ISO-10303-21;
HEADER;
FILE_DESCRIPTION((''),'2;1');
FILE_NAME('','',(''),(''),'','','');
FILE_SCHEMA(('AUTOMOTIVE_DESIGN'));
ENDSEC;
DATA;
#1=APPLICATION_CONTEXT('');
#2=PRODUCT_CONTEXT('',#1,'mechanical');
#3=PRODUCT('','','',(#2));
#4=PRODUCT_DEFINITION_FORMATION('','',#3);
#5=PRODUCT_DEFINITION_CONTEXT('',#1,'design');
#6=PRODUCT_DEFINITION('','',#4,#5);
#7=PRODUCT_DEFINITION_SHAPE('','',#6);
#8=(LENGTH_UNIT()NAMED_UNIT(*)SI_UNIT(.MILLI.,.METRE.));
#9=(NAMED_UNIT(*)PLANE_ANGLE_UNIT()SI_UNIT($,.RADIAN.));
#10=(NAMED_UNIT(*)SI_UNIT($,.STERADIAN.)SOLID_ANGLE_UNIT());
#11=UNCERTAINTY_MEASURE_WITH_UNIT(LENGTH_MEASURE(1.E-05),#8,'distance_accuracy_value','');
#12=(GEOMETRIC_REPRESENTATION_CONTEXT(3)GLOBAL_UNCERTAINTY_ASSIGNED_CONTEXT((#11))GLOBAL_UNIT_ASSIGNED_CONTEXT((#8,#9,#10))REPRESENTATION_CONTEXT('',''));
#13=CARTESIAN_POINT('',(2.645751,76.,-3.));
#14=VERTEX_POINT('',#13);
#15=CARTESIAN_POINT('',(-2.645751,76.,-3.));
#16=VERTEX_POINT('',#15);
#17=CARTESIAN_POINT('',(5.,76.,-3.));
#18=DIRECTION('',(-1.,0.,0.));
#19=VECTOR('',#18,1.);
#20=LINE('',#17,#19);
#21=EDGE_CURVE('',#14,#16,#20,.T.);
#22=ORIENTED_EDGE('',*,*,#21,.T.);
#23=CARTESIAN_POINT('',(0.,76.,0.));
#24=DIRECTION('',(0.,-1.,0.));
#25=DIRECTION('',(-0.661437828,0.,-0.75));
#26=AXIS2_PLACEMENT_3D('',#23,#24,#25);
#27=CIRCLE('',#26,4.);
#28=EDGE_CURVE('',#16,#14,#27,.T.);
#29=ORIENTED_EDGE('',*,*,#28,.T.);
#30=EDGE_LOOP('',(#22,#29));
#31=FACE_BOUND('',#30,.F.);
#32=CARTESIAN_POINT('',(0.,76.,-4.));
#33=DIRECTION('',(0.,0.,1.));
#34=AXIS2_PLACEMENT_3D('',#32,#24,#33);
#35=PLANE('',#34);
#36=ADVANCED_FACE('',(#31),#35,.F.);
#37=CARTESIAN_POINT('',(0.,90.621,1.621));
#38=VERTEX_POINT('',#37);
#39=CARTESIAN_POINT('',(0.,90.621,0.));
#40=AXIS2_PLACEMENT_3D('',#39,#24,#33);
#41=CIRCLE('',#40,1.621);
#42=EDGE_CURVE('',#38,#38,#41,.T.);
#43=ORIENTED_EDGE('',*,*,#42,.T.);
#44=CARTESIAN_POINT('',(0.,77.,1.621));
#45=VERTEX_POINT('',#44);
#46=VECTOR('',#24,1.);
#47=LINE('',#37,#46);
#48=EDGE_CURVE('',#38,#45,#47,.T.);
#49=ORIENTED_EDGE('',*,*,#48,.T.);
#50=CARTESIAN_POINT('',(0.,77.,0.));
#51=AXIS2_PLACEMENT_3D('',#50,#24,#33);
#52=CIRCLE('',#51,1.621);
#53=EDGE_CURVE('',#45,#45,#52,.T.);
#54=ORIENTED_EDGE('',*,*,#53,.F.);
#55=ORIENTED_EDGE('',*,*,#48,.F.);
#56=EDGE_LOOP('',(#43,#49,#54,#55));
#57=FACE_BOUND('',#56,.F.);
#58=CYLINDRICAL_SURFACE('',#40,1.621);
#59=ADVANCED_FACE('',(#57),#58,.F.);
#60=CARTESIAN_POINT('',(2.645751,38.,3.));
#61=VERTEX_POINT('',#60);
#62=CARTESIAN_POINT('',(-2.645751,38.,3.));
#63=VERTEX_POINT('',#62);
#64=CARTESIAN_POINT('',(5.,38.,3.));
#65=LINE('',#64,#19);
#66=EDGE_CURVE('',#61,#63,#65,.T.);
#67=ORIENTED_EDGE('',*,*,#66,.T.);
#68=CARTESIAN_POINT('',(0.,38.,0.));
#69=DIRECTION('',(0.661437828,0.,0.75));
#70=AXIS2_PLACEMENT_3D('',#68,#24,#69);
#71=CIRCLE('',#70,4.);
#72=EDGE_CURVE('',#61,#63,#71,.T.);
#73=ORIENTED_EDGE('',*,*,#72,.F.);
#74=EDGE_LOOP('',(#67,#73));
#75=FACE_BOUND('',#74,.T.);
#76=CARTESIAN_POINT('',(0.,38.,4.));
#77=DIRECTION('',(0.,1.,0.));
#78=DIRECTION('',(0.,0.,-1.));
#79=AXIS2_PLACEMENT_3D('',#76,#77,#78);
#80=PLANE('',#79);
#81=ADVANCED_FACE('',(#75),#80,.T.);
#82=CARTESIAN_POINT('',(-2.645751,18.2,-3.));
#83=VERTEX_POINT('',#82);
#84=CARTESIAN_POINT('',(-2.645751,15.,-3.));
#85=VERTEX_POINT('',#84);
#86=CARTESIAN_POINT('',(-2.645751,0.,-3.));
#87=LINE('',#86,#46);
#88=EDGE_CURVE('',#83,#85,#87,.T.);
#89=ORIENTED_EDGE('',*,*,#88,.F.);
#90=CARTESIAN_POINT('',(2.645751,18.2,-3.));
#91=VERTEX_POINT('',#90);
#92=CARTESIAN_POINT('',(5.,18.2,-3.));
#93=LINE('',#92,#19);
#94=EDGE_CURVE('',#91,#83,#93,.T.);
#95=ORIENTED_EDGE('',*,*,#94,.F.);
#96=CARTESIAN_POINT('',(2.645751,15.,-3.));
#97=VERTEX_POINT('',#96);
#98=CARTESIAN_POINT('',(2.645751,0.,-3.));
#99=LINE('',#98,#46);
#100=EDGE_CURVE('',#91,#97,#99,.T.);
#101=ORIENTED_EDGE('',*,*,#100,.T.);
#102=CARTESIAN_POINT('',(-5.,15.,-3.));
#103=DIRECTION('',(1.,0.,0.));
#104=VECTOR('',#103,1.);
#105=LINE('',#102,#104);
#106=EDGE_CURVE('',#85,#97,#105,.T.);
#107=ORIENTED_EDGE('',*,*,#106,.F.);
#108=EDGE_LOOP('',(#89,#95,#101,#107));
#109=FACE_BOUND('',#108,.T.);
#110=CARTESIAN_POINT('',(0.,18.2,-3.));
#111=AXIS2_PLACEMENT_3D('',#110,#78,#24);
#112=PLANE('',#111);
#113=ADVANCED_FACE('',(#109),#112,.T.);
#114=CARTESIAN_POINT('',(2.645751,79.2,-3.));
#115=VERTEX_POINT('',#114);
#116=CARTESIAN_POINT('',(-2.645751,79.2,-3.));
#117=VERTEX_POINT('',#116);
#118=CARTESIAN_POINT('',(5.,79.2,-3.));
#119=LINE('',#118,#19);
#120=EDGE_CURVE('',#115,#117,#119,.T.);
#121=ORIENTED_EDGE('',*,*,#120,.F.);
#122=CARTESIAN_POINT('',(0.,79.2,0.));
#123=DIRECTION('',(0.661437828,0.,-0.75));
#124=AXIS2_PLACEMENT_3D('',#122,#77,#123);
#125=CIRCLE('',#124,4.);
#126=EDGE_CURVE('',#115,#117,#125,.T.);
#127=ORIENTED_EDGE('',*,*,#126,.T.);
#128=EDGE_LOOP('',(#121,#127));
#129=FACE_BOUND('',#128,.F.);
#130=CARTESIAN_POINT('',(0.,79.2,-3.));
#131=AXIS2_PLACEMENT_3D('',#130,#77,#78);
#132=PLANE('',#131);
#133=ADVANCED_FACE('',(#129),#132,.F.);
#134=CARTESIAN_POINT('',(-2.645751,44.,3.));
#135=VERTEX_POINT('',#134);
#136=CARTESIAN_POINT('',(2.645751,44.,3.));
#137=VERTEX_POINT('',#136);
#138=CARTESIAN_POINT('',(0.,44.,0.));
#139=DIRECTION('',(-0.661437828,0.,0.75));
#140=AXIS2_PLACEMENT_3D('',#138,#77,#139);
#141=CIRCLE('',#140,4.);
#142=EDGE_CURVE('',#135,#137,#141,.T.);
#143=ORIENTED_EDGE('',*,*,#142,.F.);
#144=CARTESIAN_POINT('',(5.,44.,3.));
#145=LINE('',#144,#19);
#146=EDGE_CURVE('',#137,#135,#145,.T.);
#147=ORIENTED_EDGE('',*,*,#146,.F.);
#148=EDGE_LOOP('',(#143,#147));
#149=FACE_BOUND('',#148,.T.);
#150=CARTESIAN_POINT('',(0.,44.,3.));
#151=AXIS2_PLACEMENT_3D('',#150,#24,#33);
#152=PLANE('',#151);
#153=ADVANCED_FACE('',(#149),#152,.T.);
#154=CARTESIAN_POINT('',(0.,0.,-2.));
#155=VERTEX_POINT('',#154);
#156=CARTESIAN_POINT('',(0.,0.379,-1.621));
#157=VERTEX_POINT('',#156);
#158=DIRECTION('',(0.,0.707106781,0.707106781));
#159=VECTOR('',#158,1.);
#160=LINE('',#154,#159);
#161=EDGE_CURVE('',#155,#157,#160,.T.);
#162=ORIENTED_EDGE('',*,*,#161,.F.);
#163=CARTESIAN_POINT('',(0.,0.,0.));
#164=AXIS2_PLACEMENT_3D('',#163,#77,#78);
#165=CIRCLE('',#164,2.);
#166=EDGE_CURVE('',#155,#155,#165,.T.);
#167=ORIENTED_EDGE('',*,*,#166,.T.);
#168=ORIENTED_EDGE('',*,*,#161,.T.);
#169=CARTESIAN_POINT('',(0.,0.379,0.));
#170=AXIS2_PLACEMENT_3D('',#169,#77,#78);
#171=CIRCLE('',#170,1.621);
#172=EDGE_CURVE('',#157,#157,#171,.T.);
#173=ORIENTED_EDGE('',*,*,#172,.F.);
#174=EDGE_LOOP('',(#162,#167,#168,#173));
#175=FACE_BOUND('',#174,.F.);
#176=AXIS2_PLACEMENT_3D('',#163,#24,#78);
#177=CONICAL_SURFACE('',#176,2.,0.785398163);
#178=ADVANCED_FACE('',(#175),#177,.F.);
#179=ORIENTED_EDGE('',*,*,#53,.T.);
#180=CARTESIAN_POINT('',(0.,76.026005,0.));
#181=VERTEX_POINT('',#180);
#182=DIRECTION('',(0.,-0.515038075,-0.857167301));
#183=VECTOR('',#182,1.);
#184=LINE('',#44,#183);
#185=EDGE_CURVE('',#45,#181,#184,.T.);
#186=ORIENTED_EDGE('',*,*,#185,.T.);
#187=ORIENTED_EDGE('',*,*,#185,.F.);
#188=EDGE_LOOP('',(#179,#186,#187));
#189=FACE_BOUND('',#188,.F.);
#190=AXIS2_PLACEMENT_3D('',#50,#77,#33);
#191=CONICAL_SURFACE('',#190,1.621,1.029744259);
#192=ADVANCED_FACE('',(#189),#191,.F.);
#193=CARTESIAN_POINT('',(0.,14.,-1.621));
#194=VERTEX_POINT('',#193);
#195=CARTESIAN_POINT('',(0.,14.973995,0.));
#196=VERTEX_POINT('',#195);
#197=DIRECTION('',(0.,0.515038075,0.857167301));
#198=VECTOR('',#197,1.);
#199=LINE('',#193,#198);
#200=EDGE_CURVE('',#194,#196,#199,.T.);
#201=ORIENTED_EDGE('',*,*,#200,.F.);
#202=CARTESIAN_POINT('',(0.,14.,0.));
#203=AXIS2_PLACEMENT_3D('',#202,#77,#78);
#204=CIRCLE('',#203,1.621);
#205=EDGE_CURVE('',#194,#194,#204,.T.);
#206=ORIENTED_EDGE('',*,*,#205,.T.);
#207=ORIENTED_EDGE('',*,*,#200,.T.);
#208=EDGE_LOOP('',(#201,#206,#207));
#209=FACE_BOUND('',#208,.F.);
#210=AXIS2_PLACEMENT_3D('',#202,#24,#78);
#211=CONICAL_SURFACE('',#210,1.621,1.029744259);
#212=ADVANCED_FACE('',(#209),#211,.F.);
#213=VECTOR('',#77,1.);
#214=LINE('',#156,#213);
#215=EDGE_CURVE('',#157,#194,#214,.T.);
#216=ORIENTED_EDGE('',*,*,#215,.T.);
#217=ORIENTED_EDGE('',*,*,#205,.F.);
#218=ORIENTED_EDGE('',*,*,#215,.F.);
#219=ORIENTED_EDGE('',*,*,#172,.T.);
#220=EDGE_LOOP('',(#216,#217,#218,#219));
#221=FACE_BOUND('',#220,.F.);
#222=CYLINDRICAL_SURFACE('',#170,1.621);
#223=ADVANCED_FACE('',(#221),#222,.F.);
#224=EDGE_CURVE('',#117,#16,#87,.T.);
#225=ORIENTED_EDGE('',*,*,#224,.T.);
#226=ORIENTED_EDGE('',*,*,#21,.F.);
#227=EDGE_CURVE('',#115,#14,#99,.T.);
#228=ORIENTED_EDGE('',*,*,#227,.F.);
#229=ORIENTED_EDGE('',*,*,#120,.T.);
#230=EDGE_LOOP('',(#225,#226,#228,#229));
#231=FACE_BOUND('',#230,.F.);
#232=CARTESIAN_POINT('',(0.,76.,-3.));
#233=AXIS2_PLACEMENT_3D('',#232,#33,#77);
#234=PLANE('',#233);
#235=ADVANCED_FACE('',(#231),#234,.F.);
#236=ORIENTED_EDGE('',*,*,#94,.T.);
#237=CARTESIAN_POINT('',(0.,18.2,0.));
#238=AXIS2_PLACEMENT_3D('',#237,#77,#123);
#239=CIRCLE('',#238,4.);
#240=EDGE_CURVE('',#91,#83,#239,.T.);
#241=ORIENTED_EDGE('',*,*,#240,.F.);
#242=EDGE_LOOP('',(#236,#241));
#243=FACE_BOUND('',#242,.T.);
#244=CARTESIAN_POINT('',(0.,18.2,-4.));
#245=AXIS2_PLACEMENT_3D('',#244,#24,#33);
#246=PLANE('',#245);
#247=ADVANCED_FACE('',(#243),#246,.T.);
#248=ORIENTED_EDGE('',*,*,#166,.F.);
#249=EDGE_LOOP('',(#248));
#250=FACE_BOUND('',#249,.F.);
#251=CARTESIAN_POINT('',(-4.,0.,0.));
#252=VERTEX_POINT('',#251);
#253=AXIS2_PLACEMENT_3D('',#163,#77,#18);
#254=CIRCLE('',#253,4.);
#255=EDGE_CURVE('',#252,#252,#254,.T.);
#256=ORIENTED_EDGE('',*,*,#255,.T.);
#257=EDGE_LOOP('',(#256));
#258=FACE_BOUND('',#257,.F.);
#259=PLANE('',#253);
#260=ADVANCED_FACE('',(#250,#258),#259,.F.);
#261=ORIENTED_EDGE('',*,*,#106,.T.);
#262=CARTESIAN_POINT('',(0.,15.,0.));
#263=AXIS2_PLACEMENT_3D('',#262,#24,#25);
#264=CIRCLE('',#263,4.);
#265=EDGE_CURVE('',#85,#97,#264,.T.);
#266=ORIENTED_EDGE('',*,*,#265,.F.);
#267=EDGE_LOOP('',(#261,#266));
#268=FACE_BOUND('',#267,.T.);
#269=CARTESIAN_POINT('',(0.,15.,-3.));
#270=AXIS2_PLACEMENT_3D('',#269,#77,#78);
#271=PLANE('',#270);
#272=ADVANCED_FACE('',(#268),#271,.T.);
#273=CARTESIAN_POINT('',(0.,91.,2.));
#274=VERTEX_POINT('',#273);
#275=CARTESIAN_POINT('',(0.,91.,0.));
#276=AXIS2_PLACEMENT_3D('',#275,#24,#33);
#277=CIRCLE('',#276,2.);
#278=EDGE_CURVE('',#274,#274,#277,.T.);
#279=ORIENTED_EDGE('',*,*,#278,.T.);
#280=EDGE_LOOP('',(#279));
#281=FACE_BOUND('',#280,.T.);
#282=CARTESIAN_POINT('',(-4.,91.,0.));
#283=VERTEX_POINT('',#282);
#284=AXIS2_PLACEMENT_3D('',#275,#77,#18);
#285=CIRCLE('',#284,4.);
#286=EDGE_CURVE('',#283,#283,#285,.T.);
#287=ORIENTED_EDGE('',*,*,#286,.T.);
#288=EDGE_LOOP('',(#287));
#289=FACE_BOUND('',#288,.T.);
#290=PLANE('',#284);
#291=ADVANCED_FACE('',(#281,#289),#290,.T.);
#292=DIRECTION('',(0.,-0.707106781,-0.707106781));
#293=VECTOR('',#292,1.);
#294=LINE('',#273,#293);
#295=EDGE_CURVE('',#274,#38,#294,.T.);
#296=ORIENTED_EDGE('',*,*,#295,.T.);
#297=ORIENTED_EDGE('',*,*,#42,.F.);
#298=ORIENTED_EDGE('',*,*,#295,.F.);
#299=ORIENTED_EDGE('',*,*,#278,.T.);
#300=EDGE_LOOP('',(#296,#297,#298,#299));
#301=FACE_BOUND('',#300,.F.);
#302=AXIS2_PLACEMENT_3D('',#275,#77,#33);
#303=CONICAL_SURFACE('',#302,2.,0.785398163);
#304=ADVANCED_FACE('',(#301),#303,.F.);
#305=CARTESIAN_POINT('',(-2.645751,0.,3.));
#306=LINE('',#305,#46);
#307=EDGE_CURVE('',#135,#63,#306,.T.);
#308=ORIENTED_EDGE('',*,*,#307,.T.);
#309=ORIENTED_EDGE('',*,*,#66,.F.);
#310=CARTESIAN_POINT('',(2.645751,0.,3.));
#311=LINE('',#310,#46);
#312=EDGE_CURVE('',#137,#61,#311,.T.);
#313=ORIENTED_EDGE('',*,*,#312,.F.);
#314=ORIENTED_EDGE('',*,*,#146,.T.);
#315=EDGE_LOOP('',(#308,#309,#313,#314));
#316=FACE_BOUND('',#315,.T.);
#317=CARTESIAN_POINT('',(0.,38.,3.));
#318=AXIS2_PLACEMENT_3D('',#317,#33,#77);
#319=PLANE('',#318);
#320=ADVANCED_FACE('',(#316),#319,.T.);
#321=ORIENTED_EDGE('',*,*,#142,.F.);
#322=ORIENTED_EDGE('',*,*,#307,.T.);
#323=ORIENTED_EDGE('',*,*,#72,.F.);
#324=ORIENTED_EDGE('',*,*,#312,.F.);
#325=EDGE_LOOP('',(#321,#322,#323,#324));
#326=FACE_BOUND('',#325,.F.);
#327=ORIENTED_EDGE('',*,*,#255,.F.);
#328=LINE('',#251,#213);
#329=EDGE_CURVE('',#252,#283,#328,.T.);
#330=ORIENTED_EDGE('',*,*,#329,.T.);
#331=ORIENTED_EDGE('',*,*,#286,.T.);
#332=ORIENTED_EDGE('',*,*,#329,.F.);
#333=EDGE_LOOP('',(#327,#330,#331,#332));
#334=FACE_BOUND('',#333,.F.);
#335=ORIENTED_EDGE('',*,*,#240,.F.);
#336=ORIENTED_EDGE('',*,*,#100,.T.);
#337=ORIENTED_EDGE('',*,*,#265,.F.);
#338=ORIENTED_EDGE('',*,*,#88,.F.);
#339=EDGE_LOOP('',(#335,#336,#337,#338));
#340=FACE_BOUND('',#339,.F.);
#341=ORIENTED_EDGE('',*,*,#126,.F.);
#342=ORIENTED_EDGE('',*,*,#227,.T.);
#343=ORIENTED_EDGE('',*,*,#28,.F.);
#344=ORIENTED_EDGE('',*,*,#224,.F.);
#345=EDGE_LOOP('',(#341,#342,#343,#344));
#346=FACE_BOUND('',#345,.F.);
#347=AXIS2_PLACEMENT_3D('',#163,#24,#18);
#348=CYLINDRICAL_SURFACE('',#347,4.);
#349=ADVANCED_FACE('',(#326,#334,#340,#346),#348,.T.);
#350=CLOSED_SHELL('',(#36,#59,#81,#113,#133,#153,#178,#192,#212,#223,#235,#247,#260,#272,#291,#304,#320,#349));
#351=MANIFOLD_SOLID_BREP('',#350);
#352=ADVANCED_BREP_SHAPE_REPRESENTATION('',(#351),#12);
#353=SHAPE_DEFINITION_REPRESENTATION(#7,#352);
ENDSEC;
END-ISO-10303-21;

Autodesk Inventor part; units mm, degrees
ref_plane "YZ Plane" through (0, 0, 0) normal (1, 0, 0) x (0, 1, 0)
ref_plane "XZ Plane" through (0, 0, 0) normal (0, 1, 0) x (-1, 0, 0)
ref_plane "XY Plane" through (0, 0, 0) normal (0, 0, 1) x (1, 0, 0)
sketch "スケッチ1" plane through (0, 0, 0) normal (0, 1, 0) x (-1, 0, 0)
  circle A0 centre (0, 0) radius 4
  dimension "d0" = 8
extrude "押し出し1" add sketch "スケッチ1" along normal blind 91
sketch "スケッチ2" plane through (0, 0, 0) normal (0, -1, 0) x (1, 0, 0)
  point P0 (0, 0)
sketch "スケッチ3" plane through (0, 91, 0) normal (0, 1, 0) x (1, 0, 0)
  point P0 (0, 0)
hole "穴1" at (0, 91, 0) direction (0, -1, 0) diameter 3.242 depth 14 tip angle 118 countersink diameter 4 countersink angle 90 thread size "M4x0.7" class "6H" standard "ISO Metric profile"
hole "穴2" at (0, 0, 0) direction (0, 1, 0) diameter 3.242 depth 14 tip angle 118 countersink diameter 4 countersink angle 90 thread size "M4x0.7" class "6H" standard "ISO Metric profile"
sketch "スケッチ4" plane through (0, 0, 0) normal (1, 0, 0) x (0, 1, 0)
  line L0 (76, -4) -> (76, 4) projected
  spline S0 degree 3 poles (39, 7.4285) (39, 7.3385) (39.0585, 7.233) (39.2835, 7.0254) (39.4498, 6.9237) (39.8139, 6.7628) (40.035, 6.6916) (40.51, 6.5961) (40.7638, 6.5723) (41.2362, 6.5723) (41.49, 6.5961) (41.965, 6.6916) (42.1861, 6.7628) (42.5502, 6.9237) (42.7165, 7.0254) (42.9415, 7.233) (43, 7.3385) (43, 7.4285) knots 0.287107 0.287107 0.287107 0.287107 0.359812 0.359812 0.432516 0.432516 0.503365 0.503365 0.574214 0.574214 0.645063 0.645063 0.715911 0.715911 0.788616 0.788616 0.861321 0.861321 0.861321 0.861321 projected
  line L1 (15, 4) -> (15, -4) projected
  line L2 (76, -3) -> (79.2, -3)
  line L3 (79.2, -3) -> (79.2, -4)
  line L4 (79.2, -4) -> (76, -4)
  line L5 (44, 4) -> (38, 4)
  line L6 (38, 4) -> (38, 3)
  line L7 (38, 3) -> (44, 3)
  line L8 (44, 3) -> (44, 4)
  line L9 (43, 7.4285) -> (39, 7.4285)
  line L10 (15, -4) -> (18.2, -4)
  line L11 (18.2, -4) -> (18.2, -3)
  line L12 (18.2, -3) -> (15, -3)
  line L13 (15, -3) -> (15, -4)
  point P0 (0, 0)
  point P1 (41, 7.4285)
  point P2 (41, 4)
  dimension "d18" = 1
  dimension "d19" = 6
  dimension "d22" = 3.2
extrude "押し出し2" cut sketch "スケッチ4" along normal through all both and the other way through all contours L0 L2 L3 L4 | L12 L11 L10 L1 | L8 L7 L6 L5
properties part number "p8ALshaftP" material "アルミニウム 2014-T4"
